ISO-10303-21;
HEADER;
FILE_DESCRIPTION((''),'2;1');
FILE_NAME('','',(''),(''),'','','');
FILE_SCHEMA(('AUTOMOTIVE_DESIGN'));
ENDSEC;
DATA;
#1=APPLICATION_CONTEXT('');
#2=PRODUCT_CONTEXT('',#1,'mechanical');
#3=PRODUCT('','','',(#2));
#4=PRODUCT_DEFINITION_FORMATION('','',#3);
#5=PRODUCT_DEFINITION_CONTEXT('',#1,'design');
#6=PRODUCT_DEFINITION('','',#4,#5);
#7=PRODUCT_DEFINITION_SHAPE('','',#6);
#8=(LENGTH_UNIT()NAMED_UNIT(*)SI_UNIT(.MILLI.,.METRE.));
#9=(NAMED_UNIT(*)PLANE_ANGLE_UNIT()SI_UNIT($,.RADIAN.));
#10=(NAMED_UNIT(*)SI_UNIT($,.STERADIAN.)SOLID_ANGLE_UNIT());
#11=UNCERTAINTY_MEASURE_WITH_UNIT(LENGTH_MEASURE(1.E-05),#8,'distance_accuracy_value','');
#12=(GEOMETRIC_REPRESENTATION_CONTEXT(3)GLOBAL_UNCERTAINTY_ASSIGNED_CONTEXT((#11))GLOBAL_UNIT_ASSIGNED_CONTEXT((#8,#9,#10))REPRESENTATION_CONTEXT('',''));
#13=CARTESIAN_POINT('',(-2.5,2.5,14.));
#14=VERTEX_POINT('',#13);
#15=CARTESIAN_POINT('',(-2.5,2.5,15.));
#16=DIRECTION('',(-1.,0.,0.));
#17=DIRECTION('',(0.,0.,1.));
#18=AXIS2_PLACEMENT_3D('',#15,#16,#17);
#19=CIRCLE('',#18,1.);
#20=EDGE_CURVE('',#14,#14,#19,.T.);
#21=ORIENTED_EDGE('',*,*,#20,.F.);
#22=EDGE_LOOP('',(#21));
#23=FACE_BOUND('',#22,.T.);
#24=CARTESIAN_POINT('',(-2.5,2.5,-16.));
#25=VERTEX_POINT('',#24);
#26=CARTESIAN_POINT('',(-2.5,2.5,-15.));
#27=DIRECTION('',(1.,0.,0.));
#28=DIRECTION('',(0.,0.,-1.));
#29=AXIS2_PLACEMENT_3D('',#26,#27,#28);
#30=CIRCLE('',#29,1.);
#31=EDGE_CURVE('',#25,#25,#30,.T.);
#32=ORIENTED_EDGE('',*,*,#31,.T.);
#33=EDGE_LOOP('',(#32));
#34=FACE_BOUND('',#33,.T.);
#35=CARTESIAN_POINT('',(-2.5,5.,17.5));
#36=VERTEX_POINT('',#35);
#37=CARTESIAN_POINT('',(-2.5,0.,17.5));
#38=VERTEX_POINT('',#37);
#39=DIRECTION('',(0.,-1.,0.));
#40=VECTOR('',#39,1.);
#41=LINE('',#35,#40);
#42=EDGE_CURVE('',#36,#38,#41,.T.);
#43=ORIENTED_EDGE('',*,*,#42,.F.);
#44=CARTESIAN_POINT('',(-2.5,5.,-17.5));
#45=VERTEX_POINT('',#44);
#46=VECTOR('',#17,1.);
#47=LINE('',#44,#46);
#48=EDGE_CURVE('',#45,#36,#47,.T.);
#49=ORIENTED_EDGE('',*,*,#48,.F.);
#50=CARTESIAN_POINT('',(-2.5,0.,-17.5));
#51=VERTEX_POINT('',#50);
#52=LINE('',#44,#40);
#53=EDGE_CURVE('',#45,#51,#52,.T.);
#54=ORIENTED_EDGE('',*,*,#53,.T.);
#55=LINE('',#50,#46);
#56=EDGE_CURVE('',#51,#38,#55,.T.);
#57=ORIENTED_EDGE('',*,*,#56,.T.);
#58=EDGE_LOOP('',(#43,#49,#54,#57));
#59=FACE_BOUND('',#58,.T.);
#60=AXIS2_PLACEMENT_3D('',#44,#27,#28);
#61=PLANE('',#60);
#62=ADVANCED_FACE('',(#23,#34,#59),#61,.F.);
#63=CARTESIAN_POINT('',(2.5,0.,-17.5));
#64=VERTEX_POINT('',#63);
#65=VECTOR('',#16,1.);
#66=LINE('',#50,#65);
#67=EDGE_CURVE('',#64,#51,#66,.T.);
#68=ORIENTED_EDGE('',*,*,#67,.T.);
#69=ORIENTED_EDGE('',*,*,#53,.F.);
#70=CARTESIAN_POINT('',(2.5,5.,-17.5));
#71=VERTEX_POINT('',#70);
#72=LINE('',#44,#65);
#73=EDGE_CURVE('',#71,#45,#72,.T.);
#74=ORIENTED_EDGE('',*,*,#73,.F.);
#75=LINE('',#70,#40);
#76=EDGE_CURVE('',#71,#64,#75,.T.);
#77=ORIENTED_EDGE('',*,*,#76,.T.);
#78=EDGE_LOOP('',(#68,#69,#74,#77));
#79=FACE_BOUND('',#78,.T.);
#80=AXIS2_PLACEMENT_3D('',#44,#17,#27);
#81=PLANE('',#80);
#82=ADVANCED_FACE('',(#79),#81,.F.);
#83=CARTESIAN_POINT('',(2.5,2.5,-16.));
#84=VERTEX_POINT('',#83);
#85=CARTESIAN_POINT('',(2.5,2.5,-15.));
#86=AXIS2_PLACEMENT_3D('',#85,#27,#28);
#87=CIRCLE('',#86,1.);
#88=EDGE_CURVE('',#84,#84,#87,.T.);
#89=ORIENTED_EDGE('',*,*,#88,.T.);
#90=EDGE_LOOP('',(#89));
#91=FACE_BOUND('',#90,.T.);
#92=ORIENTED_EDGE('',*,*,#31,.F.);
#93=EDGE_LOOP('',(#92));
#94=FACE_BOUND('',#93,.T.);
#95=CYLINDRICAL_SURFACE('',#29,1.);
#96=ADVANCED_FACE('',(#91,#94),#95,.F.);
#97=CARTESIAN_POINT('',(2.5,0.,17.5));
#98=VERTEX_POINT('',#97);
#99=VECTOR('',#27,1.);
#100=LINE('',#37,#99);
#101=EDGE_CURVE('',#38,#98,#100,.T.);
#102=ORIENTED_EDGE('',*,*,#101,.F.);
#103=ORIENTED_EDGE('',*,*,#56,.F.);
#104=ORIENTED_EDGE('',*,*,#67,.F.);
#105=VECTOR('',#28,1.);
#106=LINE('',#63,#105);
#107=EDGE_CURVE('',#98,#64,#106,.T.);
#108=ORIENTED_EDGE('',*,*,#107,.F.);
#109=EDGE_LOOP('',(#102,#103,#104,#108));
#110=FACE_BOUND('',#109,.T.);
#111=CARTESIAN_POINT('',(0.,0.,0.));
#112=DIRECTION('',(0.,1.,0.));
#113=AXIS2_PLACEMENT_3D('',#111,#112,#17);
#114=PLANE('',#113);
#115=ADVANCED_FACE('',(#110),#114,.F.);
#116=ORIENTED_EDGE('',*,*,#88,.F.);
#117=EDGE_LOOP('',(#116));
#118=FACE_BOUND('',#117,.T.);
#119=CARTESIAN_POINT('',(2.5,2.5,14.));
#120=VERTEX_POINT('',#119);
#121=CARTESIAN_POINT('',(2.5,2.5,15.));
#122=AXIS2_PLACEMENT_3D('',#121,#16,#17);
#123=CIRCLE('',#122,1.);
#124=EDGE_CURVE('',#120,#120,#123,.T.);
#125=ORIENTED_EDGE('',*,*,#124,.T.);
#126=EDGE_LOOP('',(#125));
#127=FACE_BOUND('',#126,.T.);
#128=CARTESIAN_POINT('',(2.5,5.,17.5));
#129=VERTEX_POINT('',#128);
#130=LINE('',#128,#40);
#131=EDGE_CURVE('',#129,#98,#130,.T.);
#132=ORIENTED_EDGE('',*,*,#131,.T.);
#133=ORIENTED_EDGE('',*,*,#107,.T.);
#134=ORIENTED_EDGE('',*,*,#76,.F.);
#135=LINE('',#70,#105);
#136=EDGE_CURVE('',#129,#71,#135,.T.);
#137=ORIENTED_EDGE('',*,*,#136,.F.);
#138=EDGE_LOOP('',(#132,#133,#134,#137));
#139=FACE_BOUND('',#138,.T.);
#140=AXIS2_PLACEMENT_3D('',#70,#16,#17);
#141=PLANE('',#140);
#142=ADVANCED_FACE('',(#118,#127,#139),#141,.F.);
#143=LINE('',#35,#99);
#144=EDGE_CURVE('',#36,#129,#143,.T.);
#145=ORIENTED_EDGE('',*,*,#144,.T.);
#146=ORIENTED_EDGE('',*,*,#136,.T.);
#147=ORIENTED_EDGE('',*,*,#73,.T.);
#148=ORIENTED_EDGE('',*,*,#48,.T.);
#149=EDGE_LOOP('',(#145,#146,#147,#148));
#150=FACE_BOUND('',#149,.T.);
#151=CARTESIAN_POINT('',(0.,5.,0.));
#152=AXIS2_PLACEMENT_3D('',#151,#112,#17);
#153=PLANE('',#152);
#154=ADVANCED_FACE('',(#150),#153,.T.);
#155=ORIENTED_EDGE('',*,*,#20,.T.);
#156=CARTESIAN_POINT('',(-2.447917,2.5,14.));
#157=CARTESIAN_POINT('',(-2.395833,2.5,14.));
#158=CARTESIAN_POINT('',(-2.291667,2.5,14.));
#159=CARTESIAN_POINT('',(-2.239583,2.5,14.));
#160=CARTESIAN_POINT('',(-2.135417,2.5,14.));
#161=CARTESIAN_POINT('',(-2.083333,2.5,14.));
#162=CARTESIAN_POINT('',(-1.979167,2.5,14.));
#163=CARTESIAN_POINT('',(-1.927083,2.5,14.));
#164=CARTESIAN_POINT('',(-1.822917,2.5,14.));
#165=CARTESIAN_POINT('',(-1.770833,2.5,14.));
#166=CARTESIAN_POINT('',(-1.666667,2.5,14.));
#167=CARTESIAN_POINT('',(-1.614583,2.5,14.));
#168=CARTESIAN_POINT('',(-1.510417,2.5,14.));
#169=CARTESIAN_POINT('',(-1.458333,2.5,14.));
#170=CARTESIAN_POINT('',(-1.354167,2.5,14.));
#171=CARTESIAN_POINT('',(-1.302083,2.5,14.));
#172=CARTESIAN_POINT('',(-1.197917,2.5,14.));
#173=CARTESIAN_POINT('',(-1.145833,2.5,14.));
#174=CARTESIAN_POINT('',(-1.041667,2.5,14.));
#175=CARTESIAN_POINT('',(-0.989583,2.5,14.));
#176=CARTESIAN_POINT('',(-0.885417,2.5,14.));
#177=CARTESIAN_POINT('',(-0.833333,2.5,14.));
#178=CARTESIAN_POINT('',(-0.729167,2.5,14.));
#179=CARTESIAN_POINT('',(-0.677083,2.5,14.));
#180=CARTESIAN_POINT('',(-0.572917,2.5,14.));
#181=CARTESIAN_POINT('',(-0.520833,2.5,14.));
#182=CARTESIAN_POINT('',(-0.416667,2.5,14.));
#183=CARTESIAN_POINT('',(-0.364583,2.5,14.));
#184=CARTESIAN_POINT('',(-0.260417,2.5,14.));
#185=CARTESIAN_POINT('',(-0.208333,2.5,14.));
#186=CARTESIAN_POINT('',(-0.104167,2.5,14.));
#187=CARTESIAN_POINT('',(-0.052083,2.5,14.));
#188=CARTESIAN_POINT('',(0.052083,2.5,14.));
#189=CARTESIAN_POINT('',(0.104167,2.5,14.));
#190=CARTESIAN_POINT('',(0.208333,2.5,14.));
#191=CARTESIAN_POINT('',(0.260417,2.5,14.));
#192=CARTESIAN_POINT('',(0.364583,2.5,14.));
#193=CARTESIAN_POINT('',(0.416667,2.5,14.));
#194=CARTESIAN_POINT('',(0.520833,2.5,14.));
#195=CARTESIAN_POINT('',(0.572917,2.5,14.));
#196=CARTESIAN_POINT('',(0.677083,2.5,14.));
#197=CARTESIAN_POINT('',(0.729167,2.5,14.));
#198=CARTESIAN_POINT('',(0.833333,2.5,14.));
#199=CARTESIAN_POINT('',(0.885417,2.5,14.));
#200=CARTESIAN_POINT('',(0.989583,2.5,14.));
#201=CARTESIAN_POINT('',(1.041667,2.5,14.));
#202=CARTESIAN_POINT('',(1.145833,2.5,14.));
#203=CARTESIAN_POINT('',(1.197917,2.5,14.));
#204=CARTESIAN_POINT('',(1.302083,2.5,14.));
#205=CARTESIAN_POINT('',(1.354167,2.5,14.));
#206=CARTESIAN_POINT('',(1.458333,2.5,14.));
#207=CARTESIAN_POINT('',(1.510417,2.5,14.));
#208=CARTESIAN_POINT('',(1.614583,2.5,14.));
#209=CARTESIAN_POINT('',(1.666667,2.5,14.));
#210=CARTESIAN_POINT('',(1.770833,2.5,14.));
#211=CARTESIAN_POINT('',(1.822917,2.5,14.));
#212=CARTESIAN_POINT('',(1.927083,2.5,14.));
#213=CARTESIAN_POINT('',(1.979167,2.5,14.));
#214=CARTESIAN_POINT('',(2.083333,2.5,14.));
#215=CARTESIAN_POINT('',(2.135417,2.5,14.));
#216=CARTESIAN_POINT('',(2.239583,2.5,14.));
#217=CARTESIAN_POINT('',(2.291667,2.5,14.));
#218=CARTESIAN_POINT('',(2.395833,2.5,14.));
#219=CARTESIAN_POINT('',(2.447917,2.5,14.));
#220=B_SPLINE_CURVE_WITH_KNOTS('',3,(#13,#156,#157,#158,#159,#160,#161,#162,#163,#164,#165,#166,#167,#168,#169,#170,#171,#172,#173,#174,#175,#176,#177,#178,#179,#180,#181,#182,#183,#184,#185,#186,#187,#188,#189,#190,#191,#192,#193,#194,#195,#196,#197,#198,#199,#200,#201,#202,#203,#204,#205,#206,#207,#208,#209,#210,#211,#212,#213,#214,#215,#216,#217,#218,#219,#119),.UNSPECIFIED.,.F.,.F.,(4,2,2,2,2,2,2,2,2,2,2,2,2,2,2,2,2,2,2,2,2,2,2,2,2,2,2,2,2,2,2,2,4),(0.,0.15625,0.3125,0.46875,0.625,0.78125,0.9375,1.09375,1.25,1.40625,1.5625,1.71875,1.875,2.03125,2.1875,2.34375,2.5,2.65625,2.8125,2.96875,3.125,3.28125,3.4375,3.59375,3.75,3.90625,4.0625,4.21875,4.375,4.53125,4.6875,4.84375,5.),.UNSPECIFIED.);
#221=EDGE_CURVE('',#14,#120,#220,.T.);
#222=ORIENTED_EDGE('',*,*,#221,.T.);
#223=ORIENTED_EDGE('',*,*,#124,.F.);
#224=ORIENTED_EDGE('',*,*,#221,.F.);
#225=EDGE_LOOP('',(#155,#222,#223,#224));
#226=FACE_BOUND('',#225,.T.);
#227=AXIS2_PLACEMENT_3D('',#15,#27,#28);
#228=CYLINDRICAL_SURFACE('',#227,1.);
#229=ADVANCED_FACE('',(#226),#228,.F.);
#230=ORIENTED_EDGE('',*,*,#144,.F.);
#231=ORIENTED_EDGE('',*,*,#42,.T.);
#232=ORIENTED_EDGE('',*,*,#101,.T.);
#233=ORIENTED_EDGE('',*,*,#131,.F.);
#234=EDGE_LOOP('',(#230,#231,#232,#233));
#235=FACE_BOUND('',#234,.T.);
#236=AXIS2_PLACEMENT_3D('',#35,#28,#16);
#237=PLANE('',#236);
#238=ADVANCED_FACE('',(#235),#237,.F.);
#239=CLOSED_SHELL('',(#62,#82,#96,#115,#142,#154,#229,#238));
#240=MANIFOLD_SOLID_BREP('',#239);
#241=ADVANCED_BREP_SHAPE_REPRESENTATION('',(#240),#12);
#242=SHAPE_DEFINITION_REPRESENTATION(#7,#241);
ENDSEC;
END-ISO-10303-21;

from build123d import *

# Parameters (mm, degrees)
SKETCH1_W           = 5
SKETCH1_H           = 35
BOSS_EXTRUDE1_DEPTH = 5
SKETCH2_R           = 1
CUT_EXTRUDE1_DEPTH  = 19.874586088


with BuildPart() as part:
    # Sketch1 → Boss-Extrude1 (new body)
    with BuildSketch(Plane(origin=(0, 0, 0), x_dir=(1, 0, 0), z_dir=(0, 1, 0))):
        Rectangle(SKETCH1_W, SKETCH1_H)
    extrude(amount=BOSS_EXTRUDE1_DEPTH)

    # Sketch2 → Cut-Extrude1 (cut, through all)
    with BuildSketch(Plane(origin=(2.5, 0, 0), x_dir=(0, 0, -1), z_dir=(1, 0, 0))):
        with Locations((15, 2.5)):
            Circle(SKETCH2_R)
    cut_extrude1 = extrude(amount=-CUT_EXTRUDE1_DEPTH, mode=Mode.SUBTRACT)

    # Mirror1: Cut-Extrude1 across plane
    add(cut_extrude1.mirror(Plane.XY), mode=Mode.SUBTRACT)


solid = part.part
